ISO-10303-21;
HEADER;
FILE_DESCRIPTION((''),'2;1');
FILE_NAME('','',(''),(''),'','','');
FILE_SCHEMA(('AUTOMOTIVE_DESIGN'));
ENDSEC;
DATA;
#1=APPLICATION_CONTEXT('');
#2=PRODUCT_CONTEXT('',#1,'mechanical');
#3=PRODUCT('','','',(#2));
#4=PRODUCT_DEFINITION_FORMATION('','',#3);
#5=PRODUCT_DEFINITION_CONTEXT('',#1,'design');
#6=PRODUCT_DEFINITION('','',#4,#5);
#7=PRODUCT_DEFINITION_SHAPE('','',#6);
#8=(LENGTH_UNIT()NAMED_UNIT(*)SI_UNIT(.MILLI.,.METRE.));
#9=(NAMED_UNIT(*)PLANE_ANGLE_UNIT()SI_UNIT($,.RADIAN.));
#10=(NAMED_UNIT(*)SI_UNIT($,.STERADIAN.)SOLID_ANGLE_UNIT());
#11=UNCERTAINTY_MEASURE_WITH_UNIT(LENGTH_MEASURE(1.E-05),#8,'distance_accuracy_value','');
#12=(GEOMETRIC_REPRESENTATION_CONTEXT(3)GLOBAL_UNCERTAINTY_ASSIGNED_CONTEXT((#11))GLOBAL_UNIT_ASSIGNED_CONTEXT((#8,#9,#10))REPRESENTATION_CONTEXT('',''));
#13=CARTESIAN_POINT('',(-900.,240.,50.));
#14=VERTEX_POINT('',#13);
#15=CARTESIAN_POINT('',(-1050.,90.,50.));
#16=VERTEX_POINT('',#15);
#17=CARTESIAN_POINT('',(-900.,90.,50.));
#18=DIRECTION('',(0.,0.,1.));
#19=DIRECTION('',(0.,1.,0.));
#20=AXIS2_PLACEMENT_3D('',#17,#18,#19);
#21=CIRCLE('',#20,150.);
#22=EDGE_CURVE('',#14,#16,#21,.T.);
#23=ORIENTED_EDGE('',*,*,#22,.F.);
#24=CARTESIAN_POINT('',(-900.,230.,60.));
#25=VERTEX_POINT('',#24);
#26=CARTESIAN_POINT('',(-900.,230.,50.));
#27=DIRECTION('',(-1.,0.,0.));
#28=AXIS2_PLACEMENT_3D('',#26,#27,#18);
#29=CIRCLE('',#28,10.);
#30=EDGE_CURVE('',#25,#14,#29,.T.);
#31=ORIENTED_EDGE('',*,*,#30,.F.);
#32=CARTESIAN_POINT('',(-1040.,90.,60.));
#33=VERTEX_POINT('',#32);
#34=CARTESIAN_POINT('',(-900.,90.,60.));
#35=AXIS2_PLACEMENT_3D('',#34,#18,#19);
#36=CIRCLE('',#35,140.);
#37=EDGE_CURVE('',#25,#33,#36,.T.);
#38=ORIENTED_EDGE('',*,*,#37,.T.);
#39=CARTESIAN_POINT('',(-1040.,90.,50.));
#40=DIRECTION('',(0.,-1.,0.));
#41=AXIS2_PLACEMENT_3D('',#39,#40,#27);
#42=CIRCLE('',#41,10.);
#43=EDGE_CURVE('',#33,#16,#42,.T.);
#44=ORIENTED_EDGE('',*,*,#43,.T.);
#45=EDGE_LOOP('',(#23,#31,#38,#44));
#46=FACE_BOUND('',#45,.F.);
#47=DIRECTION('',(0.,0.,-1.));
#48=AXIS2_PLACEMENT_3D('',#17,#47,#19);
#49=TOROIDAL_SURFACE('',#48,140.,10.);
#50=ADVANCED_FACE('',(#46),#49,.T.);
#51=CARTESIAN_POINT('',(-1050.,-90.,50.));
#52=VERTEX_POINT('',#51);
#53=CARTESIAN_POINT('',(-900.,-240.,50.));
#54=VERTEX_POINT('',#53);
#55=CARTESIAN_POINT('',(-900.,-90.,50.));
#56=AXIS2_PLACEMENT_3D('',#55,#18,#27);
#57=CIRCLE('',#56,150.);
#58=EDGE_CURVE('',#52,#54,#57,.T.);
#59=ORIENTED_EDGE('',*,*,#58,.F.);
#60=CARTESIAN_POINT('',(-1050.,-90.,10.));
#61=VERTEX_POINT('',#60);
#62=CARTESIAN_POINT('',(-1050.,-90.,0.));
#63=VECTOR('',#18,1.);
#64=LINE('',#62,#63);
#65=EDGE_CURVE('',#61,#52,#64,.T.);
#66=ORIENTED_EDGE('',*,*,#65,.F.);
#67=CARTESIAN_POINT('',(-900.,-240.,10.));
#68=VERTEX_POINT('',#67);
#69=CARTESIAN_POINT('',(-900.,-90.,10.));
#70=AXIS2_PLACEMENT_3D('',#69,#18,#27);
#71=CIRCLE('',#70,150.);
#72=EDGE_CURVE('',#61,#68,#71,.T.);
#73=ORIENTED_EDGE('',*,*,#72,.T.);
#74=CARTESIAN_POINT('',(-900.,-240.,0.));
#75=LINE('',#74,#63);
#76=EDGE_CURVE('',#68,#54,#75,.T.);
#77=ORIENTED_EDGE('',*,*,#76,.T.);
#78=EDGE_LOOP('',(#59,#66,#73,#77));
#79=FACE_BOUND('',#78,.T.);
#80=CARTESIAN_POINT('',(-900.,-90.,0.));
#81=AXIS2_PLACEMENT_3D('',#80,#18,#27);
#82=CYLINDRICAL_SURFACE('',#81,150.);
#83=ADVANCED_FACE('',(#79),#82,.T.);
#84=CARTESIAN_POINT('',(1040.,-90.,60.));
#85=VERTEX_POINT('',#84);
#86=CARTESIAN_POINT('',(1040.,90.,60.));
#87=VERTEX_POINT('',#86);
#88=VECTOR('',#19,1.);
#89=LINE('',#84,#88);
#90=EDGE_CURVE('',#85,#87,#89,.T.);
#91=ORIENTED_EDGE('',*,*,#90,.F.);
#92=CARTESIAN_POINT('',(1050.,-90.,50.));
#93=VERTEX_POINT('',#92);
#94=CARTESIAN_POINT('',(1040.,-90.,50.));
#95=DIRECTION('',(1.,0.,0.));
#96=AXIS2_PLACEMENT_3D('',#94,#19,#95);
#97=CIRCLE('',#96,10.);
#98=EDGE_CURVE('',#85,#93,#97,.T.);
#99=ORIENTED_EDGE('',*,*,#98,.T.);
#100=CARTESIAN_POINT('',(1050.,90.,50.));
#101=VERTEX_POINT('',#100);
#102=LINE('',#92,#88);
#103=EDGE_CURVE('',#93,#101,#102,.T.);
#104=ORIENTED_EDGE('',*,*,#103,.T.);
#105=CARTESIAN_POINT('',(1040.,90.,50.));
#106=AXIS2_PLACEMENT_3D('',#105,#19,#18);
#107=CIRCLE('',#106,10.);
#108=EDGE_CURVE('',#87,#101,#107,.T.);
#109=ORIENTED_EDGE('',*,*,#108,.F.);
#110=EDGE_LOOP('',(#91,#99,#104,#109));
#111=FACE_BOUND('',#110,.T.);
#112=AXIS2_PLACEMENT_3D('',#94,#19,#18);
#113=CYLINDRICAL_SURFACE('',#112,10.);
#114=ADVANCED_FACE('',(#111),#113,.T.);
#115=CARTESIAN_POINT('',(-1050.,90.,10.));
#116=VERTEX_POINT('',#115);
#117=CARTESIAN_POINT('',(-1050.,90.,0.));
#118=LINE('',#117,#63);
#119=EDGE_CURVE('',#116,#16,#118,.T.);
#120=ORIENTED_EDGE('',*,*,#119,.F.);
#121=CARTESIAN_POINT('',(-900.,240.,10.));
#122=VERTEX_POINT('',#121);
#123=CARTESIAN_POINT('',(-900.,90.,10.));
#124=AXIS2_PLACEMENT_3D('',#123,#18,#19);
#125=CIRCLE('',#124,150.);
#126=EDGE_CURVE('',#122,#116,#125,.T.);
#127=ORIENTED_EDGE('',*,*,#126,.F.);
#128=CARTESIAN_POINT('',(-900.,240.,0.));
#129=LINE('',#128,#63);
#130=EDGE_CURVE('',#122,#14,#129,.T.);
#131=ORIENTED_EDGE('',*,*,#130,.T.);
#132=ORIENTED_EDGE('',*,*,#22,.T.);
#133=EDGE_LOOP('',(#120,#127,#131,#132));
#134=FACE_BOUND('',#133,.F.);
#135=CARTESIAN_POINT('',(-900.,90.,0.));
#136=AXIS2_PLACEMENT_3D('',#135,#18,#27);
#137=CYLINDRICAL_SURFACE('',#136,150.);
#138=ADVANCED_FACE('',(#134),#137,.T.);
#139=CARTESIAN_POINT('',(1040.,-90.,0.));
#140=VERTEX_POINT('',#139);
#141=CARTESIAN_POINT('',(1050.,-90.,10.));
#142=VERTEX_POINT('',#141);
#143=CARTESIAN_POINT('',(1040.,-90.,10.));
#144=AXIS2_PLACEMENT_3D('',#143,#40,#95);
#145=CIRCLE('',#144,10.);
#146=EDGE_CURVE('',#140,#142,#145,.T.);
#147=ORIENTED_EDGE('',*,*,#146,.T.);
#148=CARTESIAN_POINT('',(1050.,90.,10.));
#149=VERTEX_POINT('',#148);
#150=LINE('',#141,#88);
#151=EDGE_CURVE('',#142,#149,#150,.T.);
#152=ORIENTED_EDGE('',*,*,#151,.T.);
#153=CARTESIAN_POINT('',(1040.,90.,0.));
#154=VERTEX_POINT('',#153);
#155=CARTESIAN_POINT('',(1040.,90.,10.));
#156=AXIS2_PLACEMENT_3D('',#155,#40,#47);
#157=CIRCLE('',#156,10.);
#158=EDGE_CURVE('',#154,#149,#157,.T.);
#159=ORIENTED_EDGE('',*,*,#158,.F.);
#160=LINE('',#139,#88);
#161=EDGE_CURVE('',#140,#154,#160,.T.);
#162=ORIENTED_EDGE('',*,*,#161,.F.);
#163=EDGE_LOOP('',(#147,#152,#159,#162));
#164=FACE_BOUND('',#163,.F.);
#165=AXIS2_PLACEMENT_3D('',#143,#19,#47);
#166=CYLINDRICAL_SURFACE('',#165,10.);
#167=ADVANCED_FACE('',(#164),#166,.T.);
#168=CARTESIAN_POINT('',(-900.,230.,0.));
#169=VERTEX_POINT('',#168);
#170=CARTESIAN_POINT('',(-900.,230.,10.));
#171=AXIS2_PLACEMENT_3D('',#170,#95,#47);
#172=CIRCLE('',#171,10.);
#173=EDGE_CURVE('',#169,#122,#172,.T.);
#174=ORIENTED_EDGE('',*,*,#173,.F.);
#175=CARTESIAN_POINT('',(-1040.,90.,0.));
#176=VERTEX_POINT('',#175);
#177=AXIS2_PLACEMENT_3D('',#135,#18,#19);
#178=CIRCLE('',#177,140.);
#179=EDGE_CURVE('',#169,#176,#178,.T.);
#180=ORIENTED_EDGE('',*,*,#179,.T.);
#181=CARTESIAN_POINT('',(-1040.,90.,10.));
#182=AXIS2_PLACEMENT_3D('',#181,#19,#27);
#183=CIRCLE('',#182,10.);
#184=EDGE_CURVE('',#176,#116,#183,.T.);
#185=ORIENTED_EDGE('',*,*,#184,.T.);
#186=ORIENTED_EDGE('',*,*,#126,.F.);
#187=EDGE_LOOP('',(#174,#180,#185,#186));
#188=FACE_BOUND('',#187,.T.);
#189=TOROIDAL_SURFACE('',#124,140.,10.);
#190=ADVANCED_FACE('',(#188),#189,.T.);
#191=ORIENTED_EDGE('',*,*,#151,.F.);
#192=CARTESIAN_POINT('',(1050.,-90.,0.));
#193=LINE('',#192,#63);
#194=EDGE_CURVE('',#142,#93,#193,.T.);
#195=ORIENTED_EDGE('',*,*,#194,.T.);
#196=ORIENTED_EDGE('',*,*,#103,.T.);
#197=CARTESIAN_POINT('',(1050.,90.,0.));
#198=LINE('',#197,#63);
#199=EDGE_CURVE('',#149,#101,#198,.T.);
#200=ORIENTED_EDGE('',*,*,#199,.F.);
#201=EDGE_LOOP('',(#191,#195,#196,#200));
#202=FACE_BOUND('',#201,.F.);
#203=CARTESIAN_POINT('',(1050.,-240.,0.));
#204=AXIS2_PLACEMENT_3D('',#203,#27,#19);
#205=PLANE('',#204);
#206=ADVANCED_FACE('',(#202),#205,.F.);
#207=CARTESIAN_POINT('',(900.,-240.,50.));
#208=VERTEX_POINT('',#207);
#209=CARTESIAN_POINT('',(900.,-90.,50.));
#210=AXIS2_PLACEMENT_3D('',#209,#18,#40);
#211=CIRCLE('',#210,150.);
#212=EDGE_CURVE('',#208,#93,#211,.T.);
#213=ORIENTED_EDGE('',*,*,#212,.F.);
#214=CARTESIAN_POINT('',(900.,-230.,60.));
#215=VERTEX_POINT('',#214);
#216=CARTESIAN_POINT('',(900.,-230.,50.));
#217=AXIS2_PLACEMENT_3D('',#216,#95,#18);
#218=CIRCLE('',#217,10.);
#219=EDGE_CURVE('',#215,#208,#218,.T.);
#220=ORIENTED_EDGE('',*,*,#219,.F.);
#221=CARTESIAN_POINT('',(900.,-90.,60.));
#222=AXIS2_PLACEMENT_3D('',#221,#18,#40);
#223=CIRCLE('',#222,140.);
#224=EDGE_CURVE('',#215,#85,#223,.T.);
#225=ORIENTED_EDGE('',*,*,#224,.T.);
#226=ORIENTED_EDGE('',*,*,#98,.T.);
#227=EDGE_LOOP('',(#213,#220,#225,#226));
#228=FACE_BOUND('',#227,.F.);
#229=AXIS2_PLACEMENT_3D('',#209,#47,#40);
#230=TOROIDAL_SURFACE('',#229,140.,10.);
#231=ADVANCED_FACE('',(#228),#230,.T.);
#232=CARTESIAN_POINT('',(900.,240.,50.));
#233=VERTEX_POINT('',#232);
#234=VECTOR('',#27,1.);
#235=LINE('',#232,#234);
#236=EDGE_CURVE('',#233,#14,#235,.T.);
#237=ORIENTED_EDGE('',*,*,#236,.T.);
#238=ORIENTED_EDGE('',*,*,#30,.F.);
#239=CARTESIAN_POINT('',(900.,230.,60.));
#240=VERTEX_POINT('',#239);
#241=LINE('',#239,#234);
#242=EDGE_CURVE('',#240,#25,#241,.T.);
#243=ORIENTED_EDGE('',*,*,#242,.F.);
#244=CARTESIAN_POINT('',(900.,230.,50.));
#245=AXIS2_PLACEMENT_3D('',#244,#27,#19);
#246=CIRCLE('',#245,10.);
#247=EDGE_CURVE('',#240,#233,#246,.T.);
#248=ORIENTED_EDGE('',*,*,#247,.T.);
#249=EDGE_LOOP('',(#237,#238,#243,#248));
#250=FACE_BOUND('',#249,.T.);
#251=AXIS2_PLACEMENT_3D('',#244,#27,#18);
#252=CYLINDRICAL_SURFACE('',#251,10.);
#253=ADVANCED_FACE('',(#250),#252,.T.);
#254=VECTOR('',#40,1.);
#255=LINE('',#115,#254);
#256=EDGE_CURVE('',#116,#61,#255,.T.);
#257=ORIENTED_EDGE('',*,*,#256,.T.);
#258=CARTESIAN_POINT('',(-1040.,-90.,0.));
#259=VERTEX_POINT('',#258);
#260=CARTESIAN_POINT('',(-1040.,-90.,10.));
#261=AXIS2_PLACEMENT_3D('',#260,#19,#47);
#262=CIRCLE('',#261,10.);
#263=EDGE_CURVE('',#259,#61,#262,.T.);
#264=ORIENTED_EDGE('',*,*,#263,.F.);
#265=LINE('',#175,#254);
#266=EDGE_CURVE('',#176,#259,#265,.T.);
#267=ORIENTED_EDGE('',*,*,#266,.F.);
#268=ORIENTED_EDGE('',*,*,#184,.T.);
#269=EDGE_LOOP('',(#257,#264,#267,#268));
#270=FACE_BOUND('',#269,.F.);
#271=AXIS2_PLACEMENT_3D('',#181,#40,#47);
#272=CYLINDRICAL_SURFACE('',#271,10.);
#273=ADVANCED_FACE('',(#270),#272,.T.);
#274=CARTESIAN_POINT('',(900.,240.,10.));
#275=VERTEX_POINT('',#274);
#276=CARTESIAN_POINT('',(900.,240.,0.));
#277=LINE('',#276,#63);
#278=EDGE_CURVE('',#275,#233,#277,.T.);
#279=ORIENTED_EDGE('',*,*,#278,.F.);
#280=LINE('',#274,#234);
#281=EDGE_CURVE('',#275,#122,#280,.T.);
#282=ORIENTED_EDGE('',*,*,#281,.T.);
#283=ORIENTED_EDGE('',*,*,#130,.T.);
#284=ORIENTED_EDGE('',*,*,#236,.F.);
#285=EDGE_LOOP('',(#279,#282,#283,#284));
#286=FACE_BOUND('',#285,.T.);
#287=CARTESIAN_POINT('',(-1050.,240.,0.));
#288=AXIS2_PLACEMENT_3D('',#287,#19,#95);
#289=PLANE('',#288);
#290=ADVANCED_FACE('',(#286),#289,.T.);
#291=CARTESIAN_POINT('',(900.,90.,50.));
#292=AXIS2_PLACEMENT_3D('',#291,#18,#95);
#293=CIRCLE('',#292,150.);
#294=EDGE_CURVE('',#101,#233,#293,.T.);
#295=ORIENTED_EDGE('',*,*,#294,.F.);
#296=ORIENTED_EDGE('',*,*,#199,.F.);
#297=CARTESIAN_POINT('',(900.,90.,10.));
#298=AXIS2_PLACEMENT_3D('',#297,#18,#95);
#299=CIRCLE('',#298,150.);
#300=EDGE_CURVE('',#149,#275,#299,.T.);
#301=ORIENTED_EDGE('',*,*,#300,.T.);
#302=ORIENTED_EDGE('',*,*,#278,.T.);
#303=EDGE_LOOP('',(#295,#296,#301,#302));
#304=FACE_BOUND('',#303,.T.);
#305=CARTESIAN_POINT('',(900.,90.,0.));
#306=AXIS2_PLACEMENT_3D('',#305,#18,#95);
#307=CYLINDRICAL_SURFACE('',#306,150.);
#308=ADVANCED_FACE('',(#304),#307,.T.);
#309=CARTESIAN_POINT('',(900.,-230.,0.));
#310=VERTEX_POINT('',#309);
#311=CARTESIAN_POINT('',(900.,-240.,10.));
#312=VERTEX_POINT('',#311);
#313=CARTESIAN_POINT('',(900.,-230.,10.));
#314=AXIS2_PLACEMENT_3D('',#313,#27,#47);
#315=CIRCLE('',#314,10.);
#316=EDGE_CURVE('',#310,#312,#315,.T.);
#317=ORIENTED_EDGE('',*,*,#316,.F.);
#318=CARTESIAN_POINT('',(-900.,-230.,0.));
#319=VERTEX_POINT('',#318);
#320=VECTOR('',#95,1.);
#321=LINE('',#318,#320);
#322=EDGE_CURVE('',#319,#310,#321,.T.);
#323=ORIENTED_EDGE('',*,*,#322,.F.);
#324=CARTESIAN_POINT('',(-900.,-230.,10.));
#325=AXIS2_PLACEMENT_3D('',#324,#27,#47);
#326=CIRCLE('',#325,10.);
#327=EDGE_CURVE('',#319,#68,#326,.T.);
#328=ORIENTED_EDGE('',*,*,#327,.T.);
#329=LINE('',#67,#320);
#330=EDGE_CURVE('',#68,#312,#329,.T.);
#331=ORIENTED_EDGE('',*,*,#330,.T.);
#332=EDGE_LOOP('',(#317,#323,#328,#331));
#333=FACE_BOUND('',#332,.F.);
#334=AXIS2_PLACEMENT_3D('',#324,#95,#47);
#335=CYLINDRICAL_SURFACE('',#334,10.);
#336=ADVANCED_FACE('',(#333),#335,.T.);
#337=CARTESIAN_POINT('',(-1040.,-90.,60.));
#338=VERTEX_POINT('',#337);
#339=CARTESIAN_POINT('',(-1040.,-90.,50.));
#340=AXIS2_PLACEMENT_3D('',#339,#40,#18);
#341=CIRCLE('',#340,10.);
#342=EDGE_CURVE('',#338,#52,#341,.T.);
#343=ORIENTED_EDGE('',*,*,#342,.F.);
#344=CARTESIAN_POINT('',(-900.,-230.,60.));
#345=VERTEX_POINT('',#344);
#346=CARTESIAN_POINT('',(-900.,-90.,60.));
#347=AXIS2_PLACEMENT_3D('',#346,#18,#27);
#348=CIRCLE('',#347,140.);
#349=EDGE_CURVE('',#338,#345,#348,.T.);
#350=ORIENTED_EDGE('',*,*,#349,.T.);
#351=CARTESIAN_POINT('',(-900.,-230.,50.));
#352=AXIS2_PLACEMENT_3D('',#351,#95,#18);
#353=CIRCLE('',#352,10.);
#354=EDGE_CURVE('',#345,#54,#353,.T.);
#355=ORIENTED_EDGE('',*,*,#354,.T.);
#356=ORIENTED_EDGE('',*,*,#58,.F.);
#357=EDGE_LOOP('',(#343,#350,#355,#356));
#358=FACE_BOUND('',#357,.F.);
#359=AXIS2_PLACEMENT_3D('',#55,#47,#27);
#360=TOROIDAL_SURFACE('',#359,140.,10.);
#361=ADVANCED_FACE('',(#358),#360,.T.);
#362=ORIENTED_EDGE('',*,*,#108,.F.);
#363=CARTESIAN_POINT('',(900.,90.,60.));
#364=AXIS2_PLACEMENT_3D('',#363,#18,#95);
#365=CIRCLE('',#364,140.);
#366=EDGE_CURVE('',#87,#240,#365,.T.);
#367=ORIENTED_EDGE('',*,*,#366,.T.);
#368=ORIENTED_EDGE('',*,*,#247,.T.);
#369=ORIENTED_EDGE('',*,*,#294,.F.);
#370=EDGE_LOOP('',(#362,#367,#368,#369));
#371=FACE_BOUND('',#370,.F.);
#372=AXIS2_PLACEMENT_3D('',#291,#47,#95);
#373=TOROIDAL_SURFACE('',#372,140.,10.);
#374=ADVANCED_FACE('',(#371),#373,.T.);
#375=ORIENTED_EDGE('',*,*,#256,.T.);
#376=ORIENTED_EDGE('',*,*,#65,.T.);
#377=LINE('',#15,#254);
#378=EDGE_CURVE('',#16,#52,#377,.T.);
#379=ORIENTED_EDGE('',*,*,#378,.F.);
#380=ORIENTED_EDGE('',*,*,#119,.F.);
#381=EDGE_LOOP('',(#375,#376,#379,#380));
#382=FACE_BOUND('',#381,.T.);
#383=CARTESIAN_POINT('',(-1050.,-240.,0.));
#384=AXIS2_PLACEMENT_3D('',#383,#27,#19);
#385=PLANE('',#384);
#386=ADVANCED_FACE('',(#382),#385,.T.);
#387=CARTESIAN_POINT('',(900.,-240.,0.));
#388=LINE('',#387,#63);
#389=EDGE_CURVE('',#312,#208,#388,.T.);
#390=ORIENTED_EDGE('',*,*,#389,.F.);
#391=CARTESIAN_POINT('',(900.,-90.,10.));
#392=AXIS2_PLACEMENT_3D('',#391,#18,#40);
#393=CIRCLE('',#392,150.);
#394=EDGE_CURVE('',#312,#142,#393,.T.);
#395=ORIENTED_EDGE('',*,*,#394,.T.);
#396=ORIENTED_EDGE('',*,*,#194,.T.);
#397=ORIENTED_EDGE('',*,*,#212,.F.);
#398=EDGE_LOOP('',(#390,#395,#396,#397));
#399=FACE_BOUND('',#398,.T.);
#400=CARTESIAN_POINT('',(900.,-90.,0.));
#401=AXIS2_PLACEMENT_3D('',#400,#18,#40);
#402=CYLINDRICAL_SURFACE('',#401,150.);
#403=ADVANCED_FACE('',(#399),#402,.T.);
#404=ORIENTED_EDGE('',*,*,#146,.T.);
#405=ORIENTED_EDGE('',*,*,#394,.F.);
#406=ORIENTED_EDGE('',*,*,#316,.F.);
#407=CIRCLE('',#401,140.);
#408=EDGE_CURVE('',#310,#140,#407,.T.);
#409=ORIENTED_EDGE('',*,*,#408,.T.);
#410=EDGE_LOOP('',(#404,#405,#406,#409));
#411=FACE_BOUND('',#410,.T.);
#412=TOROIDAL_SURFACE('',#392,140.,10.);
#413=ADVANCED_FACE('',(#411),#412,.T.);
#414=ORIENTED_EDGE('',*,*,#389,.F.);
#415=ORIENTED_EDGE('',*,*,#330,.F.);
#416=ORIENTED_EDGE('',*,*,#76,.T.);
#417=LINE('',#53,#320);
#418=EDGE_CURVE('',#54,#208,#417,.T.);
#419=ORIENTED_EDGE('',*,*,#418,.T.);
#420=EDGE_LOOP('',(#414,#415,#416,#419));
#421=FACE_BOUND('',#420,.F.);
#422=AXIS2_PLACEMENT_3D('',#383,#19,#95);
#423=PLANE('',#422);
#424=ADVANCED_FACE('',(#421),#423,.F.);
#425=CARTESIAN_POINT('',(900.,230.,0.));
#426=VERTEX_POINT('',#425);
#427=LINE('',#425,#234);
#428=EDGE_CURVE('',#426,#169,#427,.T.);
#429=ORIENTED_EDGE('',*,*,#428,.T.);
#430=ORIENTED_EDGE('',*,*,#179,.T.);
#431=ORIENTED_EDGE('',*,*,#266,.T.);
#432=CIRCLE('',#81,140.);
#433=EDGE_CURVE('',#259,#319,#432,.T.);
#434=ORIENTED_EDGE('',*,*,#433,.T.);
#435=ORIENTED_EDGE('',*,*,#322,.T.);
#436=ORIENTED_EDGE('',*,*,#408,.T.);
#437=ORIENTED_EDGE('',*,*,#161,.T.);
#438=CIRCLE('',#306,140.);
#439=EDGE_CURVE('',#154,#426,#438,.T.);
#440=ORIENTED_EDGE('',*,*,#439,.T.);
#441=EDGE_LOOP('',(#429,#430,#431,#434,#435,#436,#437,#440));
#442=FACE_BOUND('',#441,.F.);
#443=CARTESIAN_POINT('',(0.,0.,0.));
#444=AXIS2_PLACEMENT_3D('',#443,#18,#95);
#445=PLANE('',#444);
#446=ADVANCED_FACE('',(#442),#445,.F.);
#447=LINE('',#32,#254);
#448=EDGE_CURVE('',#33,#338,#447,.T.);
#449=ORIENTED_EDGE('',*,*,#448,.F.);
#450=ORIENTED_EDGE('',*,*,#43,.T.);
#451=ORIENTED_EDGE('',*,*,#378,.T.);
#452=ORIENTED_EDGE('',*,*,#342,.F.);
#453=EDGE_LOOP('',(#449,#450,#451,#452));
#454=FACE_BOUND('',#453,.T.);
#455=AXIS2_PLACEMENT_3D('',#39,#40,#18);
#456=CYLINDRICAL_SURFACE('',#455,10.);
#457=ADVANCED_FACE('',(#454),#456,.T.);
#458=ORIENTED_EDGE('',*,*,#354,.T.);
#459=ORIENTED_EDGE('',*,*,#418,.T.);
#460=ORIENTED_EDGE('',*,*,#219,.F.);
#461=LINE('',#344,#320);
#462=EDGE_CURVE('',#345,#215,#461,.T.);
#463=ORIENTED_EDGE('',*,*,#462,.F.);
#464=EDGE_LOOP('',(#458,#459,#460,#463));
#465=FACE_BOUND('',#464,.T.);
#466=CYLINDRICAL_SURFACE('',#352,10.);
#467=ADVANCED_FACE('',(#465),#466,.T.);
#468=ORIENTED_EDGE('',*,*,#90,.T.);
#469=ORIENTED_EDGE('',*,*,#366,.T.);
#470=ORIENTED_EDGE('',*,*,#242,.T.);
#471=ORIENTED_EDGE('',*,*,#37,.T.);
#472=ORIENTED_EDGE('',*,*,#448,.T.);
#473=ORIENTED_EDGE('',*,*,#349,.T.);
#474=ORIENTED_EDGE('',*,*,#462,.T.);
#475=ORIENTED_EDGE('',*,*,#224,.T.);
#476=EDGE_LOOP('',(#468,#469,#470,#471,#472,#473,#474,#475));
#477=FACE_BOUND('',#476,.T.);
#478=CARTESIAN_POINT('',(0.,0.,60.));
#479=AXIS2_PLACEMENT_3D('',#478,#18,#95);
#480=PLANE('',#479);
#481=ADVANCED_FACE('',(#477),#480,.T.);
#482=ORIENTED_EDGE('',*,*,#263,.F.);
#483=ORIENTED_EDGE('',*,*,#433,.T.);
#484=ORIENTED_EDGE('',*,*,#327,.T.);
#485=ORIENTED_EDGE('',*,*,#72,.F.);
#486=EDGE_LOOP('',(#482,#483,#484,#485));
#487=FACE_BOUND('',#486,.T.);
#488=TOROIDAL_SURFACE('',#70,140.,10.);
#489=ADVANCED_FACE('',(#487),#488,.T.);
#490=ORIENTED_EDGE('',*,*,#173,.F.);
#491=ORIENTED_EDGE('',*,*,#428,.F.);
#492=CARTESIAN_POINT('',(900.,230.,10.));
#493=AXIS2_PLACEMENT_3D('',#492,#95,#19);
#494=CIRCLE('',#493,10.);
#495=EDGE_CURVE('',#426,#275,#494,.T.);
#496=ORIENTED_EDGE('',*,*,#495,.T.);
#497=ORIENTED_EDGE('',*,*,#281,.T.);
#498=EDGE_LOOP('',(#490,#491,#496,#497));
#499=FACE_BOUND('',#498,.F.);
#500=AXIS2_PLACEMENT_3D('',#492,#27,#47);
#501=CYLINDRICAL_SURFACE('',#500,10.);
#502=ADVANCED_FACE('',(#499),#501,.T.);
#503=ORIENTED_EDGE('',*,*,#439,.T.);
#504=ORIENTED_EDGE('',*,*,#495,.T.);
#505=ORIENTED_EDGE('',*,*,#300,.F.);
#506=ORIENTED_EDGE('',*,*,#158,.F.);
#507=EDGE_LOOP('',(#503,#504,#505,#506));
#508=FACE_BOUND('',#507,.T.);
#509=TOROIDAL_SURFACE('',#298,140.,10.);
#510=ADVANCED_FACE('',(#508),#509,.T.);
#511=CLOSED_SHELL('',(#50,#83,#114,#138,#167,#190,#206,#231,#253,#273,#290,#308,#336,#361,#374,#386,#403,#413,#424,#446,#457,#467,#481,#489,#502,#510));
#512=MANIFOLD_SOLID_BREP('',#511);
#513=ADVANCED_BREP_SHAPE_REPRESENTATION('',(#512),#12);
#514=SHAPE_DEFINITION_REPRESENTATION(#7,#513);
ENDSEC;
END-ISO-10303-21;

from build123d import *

# Parameters (mm, degrees)
F0_W     = 2100
F0_H     = 480
F1_DEPTH = 60
F2_R     = 150
F3_R     = 10


with BuildPart() as f1:
    # F0 (on Top) → F1 (new body)
    with BuildSketch(Plane.XY):
        Rectangle(F0_W, F0_H)
    extrude(amount=F1_DEPTH)

    # F2
    f2_edges = [f1.edges().sort_by_distance(p)[0] for p in [
        (-1050, -240, 30),
        (-1050, 240, 30),
        (1050, -240, 30),
        (1050, 240, 30),
    ]]
    fillet(f2_edges, radius=F2_R)

    # F3
    f3_edges = [f1.edges().sort_by_distance(p)[0] for p in [
        (0, -240, 60),
        (0, -240, 0),
    ]]
    fillet(f3_edges, radius=F3_R)


solid = f1.part
